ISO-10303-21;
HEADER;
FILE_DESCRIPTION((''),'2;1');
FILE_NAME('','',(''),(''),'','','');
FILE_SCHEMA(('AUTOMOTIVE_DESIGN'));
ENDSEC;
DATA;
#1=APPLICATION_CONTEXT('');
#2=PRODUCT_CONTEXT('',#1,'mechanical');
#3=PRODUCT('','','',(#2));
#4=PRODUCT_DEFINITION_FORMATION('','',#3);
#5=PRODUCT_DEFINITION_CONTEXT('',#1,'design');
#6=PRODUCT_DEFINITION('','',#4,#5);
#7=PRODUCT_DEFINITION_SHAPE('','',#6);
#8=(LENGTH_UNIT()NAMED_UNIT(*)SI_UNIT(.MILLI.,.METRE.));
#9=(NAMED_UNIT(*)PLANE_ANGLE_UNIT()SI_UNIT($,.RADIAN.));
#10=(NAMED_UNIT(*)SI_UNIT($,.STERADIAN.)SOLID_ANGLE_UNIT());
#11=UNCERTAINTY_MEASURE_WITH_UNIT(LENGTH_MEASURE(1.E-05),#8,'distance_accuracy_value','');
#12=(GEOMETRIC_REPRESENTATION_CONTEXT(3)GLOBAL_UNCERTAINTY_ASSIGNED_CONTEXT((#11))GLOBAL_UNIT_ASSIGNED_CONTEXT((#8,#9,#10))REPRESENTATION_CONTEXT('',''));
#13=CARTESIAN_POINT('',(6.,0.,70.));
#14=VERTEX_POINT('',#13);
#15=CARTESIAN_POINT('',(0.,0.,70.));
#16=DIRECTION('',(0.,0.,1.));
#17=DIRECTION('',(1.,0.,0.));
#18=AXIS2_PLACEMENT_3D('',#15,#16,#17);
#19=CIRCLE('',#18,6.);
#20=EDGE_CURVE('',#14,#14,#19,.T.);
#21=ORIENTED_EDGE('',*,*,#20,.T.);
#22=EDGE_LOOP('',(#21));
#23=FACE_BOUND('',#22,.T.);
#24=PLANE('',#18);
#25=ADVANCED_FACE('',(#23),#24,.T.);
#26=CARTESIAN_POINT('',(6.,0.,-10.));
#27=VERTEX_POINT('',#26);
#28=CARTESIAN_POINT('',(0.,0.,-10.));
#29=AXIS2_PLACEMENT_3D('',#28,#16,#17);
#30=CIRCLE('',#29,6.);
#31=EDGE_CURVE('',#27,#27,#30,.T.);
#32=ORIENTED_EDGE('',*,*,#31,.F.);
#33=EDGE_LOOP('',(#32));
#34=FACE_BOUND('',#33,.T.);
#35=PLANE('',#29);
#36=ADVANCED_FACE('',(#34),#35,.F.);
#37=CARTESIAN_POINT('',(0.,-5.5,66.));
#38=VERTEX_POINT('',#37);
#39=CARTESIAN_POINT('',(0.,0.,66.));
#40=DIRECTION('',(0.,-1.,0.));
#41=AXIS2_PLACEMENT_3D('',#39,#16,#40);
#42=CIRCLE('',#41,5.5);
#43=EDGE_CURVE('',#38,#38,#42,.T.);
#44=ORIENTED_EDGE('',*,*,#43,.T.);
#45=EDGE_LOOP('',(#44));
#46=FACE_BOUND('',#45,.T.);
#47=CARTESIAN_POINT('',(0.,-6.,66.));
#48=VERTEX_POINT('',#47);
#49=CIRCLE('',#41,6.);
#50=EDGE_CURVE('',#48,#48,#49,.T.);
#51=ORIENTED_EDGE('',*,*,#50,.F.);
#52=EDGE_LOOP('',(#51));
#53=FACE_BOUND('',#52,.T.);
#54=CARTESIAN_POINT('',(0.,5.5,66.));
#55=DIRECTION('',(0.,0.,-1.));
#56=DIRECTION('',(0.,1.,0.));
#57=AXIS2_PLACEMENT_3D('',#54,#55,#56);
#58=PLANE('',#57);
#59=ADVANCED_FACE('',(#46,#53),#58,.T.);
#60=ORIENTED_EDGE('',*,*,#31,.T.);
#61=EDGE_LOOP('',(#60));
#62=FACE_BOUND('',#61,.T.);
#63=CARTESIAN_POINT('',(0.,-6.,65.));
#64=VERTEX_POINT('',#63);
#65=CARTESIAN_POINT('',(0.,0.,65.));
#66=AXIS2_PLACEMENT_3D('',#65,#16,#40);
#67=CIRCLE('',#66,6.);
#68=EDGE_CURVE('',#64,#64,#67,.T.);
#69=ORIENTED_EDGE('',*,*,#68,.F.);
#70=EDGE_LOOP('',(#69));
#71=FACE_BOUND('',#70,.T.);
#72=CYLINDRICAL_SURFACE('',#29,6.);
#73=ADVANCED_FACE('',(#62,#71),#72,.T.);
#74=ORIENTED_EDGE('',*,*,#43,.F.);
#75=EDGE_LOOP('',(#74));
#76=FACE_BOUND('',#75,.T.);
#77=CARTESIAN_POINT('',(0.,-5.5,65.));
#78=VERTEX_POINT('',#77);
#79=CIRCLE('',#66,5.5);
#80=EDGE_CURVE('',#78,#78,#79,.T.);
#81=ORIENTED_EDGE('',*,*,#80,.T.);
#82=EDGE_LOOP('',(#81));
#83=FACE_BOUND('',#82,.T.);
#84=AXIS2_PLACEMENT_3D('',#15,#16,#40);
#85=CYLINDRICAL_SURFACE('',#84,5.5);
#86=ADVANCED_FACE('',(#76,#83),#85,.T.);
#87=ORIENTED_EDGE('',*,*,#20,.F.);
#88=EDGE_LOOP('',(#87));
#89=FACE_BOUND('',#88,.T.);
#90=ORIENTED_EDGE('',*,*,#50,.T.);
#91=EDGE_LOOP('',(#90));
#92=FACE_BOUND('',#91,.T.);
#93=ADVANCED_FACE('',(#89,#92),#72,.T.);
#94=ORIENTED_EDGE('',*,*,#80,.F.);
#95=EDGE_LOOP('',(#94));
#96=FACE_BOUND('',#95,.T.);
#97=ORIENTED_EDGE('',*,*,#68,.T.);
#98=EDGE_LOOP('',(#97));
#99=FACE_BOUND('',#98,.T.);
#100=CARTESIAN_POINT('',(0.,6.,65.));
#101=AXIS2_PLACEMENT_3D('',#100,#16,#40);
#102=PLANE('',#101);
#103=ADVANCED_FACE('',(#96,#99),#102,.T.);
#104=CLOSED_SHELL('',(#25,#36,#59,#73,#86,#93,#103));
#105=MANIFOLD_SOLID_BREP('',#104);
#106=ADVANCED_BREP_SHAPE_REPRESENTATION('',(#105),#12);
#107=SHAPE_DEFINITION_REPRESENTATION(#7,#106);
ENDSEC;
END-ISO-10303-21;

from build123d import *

# Parameters (mm, degrees)
SKETCH_1_R           = 6
EXTRUDE_1_DEPTH      = 70
EXTRUDE_1_DEPTH_BACK = 10
SKETCH_3_W           = 1
SKETCH_3_H           = 0.5


with BuildPart() as part:
    # 草图1 → 凸台-拉伸1 (new body, two sides)
    with BuildSketch(Plane.XY) as extrude_1_sk:
        Circle(SKETCH_1_R)
    extrude(amount=EXTRUDE_1_DEPTH)
    extrude(extrude_1_sk.sketch, amount=-EXTRUDE_1_DEPTH_BACK)

    # 草图3 → 切除-旋转1 (revolve, cut)
    with BuildSketch(Plane(origin=(0, 0, 0), x_dir=(0, 0, -1), z_dir=(1, 0, 0))):
        with Locations((-65.5, 5.75)):
            Rectangle(SKETCH_3_W, SKETCH_3_H)
    revolve(axis=Axis((0, 0, 70), (0, 0, -1)), mode=Mode.SUBTRACT)


solid = part.part
